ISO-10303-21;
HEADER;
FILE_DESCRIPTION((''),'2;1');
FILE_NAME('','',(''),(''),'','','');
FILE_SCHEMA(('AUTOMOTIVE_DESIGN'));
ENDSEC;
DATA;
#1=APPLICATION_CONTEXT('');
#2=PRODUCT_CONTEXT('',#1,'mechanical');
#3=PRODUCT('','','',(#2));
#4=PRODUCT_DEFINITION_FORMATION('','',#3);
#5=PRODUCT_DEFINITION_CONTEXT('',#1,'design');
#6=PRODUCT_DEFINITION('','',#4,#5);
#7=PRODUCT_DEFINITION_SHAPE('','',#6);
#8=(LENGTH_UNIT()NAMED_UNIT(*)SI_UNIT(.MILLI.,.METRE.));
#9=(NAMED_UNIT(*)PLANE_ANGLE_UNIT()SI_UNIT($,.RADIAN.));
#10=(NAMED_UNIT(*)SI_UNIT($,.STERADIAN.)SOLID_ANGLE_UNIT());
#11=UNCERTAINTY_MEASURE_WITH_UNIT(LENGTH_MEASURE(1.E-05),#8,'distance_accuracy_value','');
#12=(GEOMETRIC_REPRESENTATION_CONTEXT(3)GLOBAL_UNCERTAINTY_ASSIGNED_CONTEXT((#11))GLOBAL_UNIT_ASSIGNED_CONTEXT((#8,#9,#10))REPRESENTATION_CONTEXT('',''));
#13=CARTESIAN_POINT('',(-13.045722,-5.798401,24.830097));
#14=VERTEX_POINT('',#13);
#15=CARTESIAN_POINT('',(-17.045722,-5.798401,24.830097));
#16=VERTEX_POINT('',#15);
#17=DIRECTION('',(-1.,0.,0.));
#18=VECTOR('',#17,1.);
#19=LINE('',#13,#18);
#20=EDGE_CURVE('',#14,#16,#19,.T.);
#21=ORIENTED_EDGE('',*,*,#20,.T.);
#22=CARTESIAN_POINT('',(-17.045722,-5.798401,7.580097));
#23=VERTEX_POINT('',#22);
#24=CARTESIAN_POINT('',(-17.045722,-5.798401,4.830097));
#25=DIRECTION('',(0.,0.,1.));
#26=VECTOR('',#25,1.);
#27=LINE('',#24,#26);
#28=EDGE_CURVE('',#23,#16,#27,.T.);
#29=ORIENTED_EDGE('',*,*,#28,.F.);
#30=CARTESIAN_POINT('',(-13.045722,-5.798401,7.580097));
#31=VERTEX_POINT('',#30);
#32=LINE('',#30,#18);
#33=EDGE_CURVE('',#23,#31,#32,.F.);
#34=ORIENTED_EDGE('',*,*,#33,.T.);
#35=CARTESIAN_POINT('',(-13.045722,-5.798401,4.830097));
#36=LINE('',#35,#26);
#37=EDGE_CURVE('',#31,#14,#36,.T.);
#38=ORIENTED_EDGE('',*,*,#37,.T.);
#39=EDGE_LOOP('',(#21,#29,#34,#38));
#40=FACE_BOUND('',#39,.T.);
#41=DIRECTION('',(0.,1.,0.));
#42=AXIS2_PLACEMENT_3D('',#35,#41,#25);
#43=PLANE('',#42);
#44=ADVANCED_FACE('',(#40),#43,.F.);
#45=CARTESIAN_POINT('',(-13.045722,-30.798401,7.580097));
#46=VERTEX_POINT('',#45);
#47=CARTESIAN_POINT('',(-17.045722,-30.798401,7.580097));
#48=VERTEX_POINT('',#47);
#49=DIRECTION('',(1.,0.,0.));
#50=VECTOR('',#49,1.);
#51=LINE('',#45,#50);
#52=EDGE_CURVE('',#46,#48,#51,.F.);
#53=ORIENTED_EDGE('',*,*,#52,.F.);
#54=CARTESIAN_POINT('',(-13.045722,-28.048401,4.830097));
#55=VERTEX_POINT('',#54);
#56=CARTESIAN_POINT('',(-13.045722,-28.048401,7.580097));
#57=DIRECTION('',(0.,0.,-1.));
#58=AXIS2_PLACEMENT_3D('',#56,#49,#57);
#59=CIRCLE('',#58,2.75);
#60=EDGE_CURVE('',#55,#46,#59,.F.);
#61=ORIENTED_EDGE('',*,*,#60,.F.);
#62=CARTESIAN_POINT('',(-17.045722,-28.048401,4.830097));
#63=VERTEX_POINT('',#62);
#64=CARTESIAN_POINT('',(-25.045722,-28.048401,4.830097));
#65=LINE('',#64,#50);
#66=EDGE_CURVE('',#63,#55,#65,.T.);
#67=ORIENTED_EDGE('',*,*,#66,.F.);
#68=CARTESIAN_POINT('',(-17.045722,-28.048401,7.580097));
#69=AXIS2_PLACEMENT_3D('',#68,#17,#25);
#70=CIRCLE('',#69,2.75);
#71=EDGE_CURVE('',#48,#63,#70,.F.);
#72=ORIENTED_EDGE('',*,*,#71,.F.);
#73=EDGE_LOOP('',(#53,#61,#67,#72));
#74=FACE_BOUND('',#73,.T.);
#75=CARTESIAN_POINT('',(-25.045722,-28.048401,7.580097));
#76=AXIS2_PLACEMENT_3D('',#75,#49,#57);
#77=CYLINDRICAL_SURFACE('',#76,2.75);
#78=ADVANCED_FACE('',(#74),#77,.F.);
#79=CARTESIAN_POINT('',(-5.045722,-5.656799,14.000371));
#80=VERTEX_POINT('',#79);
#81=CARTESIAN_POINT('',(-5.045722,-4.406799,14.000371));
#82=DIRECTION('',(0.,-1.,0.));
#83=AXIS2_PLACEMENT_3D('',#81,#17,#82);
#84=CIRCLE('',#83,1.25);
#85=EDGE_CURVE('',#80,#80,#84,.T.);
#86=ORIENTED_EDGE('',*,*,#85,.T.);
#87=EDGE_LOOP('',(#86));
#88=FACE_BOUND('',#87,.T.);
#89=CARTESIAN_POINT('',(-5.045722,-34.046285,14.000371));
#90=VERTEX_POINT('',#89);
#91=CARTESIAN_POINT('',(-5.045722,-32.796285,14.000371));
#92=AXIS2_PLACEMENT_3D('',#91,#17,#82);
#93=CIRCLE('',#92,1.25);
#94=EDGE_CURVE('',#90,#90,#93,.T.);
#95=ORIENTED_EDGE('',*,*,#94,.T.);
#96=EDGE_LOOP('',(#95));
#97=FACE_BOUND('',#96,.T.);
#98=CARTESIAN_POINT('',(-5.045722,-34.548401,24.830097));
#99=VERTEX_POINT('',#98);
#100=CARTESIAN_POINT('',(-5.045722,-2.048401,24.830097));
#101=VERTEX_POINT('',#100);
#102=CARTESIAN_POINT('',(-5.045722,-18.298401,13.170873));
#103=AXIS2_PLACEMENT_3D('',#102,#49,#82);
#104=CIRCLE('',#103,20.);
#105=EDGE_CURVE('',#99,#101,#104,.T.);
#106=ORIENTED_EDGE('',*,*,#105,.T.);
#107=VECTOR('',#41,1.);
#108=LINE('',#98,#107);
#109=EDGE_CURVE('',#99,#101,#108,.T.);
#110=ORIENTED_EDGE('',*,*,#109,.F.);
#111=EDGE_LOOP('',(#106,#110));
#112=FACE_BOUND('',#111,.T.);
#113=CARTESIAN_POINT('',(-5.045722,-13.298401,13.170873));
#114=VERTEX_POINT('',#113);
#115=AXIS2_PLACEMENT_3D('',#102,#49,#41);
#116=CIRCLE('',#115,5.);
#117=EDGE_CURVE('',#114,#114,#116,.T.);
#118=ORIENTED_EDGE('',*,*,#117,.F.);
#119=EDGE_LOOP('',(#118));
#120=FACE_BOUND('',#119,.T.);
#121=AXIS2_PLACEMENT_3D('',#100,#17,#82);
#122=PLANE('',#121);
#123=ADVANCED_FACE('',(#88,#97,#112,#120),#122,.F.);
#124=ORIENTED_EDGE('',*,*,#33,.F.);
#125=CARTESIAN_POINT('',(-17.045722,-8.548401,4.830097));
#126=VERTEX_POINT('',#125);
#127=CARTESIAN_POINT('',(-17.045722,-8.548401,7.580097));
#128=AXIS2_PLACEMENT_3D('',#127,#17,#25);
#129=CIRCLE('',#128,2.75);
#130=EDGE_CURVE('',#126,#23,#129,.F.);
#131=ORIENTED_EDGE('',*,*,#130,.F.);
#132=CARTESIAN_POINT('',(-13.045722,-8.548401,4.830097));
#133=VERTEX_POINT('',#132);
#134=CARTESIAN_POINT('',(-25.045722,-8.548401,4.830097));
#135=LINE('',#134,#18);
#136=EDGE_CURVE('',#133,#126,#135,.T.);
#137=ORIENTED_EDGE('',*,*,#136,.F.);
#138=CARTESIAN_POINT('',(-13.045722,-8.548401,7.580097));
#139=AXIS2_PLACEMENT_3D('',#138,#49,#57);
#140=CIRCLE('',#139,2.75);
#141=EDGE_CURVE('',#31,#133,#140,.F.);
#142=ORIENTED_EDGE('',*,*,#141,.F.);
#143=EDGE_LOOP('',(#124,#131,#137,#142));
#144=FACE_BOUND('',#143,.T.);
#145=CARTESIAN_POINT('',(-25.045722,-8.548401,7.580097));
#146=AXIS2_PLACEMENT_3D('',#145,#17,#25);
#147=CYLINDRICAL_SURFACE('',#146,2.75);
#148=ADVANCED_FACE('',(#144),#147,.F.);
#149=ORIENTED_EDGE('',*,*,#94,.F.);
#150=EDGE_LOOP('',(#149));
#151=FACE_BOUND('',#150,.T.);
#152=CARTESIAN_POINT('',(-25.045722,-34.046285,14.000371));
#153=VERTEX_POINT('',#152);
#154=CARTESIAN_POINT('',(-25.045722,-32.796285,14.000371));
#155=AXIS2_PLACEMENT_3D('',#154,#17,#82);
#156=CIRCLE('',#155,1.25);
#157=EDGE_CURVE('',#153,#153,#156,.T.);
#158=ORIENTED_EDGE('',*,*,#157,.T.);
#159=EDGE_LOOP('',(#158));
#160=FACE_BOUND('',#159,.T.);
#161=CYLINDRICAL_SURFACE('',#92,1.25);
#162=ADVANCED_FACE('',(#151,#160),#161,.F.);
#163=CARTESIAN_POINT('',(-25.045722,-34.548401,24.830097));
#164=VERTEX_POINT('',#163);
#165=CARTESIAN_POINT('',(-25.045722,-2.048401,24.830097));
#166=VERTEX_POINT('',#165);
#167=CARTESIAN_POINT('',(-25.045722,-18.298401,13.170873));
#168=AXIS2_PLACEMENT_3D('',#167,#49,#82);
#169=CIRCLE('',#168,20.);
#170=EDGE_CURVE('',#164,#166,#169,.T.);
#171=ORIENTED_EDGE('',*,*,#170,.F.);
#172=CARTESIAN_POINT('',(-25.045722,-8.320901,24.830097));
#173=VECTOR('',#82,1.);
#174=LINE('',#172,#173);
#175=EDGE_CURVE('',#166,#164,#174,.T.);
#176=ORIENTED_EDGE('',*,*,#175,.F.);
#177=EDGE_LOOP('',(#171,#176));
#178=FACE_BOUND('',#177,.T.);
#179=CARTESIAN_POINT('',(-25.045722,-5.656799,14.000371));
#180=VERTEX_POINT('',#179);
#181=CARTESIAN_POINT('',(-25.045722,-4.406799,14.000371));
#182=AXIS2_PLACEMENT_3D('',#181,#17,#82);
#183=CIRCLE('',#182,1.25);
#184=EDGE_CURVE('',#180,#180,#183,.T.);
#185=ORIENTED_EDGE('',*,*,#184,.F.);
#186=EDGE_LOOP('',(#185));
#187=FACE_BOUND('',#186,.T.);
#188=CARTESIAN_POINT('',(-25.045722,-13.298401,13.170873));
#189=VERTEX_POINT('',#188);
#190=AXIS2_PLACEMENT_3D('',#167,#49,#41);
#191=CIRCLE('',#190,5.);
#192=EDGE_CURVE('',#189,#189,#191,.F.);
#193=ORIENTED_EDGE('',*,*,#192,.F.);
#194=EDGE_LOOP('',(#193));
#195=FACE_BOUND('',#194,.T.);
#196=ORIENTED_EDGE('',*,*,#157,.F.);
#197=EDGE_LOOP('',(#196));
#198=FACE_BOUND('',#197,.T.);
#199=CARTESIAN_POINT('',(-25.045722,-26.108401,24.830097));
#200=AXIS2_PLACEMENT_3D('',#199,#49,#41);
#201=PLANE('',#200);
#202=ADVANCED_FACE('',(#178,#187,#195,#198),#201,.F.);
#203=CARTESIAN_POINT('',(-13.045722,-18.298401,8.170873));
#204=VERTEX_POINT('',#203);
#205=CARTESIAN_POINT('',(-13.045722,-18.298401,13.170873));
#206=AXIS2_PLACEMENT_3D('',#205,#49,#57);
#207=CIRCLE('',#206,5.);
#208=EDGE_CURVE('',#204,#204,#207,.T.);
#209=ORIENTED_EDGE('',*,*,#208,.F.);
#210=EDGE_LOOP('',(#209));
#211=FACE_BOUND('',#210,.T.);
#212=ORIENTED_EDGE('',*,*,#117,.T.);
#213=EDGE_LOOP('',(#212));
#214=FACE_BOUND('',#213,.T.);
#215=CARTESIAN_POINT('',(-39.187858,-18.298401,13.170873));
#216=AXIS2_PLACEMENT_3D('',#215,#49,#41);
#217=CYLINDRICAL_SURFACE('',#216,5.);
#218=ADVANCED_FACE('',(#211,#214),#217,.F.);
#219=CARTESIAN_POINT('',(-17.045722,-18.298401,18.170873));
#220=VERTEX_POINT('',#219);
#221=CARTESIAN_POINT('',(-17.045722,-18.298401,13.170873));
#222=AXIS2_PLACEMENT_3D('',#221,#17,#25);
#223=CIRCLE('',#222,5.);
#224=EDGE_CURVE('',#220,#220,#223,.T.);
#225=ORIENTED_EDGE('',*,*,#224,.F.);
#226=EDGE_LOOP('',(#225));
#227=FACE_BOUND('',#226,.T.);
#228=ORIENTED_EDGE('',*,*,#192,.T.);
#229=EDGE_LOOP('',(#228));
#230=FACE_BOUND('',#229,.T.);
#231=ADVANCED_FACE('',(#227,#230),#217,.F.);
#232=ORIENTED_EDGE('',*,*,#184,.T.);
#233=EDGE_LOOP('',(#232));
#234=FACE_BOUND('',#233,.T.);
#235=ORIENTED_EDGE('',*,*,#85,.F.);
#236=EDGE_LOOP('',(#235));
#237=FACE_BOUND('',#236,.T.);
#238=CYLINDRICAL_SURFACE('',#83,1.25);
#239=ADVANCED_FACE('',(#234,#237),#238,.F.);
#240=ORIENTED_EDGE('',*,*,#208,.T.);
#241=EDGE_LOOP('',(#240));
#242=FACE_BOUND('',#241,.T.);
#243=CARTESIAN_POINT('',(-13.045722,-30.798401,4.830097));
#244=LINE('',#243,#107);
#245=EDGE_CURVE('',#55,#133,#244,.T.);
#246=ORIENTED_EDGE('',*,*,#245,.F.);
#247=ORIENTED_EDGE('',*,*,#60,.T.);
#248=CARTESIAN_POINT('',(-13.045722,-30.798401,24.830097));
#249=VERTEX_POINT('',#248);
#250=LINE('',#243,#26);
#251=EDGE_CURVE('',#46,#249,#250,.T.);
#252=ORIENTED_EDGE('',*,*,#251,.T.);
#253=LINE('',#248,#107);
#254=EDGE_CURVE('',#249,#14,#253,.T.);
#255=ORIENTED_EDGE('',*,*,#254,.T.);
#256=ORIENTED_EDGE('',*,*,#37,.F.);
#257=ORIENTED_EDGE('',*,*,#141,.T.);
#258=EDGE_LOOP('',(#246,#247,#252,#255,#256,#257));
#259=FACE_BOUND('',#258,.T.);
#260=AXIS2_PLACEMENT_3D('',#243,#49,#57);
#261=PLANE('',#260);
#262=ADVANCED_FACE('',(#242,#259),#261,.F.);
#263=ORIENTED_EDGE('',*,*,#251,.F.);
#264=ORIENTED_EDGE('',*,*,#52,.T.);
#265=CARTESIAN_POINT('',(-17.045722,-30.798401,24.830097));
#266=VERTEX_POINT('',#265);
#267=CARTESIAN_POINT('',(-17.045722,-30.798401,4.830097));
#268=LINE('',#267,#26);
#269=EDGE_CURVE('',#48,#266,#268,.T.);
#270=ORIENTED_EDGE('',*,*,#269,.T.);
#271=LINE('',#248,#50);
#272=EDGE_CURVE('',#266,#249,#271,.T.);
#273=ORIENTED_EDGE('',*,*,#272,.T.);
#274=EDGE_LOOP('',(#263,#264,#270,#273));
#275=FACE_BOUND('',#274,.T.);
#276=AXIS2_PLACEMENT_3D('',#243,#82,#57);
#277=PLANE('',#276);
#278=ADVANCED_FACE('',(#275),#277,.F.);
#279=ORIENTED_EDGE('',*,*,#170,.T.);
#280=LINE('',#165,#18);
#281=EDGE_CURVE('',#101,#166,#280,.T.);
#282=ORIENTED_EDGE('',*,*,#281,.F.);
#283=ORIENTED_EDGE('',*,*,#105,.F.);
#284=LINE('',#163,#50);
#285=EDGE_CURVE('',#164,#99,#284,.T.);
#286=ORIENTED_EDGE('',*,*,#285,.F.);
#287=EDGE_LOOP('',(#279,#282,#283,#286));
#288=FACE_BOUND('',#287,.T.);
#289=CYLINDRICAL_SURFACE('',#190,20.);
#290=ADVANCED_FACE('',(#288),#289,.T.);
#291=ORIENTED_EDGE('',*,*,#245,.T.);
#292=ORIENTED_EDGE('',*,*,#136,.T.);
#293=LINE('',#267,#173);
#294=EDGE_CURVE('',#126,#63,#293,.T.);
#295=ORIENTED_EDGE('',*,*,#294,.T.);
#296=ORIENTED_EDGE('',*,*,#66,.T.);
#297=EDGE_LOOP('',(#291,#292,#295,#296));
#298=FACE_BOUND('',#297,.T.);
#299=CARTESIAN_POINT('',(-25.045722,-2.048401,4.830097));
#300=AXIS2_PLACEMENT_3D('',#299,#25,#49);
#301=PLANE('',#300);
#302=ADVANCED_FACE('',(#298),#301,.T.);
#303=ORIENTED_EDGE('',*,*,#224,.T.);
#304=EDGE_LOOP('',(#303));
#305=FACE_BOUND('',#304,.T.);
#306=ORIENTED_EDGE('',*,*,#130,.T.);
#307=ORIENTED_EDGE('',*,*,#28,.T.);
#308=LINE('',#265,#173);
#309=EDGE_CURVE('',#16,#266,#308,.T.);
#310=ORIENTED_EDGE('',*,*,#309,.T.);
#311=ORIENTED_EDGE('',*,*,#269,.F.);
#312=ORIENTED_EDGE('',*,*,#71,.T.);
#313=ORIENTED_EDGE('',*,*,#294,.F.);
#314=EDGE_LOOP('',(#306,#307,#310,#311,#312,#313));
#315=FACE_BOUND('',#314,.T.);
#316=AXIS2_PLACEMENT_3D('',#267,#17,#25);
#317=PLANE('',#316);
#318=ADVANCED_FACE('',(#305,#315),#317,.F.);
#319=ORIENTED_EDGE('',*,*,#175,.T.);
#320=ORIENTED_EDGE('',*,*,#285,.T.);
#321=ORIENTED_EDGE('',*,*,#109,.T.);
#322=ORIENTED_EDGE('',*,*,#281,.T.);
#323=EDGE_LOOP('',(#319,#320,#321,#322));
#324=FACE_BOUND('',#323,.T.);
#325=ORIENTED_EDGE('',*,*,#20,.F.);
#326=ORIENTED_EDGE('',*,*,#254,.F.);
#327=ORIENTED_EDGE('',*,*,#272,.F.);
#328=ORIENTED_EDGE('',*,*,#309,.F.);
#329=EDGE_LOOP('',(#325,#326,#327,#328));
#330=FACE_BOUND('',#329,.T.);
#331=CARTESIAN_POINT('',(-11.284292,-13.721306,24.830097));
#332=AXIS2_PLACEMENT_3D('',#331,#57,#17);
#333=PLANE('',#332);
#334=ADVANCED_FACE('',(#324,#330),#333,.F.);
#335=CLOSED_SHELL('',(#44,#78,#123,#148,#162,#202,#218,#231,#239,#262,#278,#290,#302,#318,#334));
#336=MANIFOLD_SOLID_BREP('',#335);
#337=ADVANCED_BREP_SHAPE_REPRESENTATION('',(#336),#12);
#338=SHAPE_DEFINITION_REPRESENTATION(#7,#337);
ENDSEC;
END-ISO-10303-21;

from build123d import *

# Parameters (mm, degrees)
BOSS_EXTRU_1_START      = -10
BOSS_EXTRU_1_DEPTH      = 80
ESQUISSE3_W             = 16
ESQUISSE3_H             = 100
ENL_V_MAT_EXTRU_1_DEPTH = 80
BOSS_EXTRU_2_DEPTH      = 80
CONG_1_R                = 11
ENL_V_MAT_EXTRU_2_REACH = 146.791
ESQUISSE8_R             = 20
ESQUISSE9_R             = 5
ENL_V_MAT_EXTRU_3_DEPTH = 80
ECHELLE1_SCALE          = 0.25


with BuildPart() as part:
    # Esquisse2 → Boss.-Extru.1 (new body)
    with BuildSketch(Plane.XY.offset(BOSS_EXTRU_1_START)):
        Polygon((-55.04572219, 21.601620468), (-55.04572219, -49.548379532), (-55.04572219, -83.308379532), (24.95427781, -83.308379532), (24.95427781, -43.249651956), (24.95427781, 27.900348044), (24.95427781, 46.691620468), (-55.04572219, 46.691620468), align=None)
    extrude(amount=BOSS_EXTRU_1_DEPTH)

    # Esquisse3 → Enlèv. mat.-Extru.1 (cut)
    with BuildSketch(Plane.XY.offset(70)):
        with Locations((-15.04572219, -18.308379532)):
            Rectangle(ESQUISSE3_W, ESQUISSE3_H)
    extrude(amount=-ENL_V_MAT_EXTRU_1_DEPTH, mode=Mode.SUBTRACT)

    # Esquisse6 → Boss.-Extru.2 (add)
    with BuildSketch(Plane(origin=(24.95427781, 0, 0), x_dir=(0, 0, -1), z_dir=(1, 0, 0))):
        with BuildLine():
            Line((-70, 46.691620468), (10, 46.691620468))
            Line((10, 46.691620468), (10, -83.308379532))
            Line((10, -83.308379532), (-70, -83.308379532))
            ThreePointArc((-70, -83.308379532), (56.636895265, -18.308379532), (-70, 46.691620468))
        make_face()
    extrude(amount=-BOSS_EXTRU_2_DEPTH)

    # Congé1
    cong_1_edges = [part.edges().sort_by_distance(p)[0] for p in [
        (-15.04572219, 31.691620468, -10),
        (-15.04572219, -68.308379532, -10),
    ]]
    fillet(cong_1_edges, radius=CONG_1_R)

    # Enlèv. mat.-Extru.2: up to this face of the body (flat: up to its plane)
    enl_v_mat_extru_2_end = Plane(part.part.faces().sort_by_distance((-55.04572219, -18.308379532, 12.636185619))[0])
    # Esquisse8 → Enlèv. mat.-Extru.2 (cut, up to the picked face)
    with BuildSketch(Plane(origin=(24.95427781, 0, 0), x_dir=(0, 0, -1), z_dir=(1, 0, 0)), mode=Mode.PRIVATE) as enl_v_mat_extru_2_sk1:
        with Locations(Location((-23.363104735, -18.308379532, 0), (0, 0, 90))):
            Circle(ESQUISSE8_R)
    enl_v_mat_extru_2_tool1 = split(extrude(enl_v_mat_extru_2_sk1.sketch, amount=-ENL_V_MAT_EXTRU_2_REACH, mode=Mode.PRIVATE), bisect_by=enl_v_mat_extru_2_end, keep=Keep.BOTH, mode=Mode.PRIVATE)
    add(enl_v_mat_extru_2_tool1.solids().sort_by(Axis((24.954278, -18.30838, 23.363105), (-1, 0, 0)))[0], mode=Mode.SUBTRACT)

    # Esquisse9 → Enlèv. mat.-Extru.3 (cut)
    with BuildSketch(Plane.ZY.offset(55.04572219)):
        with Locations(Location((26.681094555, 37.25802852, 0), (0, 0, 270))):
            Circle(ESQUISSE9_R)
        with Locations(Location((26.681094555, -76.2999152, 0), (0, 0, 270))):
            Circle(ESQUISSE9_R)
    extrude(amount=-ENL_V_MAT_EXTRU_3_DEPTH, mode=Mode.SUBTRACT)


with BuildPart() as part_1:
    # Echelle1: scaled about (-15.04572219, -18.295074577, 9.77346256)
    add(part.part.scale(ECHELLE1_SCALE).moved(Location((-11.284291642, -13.721305933, 7.33009692))))


solid = part_1.part
